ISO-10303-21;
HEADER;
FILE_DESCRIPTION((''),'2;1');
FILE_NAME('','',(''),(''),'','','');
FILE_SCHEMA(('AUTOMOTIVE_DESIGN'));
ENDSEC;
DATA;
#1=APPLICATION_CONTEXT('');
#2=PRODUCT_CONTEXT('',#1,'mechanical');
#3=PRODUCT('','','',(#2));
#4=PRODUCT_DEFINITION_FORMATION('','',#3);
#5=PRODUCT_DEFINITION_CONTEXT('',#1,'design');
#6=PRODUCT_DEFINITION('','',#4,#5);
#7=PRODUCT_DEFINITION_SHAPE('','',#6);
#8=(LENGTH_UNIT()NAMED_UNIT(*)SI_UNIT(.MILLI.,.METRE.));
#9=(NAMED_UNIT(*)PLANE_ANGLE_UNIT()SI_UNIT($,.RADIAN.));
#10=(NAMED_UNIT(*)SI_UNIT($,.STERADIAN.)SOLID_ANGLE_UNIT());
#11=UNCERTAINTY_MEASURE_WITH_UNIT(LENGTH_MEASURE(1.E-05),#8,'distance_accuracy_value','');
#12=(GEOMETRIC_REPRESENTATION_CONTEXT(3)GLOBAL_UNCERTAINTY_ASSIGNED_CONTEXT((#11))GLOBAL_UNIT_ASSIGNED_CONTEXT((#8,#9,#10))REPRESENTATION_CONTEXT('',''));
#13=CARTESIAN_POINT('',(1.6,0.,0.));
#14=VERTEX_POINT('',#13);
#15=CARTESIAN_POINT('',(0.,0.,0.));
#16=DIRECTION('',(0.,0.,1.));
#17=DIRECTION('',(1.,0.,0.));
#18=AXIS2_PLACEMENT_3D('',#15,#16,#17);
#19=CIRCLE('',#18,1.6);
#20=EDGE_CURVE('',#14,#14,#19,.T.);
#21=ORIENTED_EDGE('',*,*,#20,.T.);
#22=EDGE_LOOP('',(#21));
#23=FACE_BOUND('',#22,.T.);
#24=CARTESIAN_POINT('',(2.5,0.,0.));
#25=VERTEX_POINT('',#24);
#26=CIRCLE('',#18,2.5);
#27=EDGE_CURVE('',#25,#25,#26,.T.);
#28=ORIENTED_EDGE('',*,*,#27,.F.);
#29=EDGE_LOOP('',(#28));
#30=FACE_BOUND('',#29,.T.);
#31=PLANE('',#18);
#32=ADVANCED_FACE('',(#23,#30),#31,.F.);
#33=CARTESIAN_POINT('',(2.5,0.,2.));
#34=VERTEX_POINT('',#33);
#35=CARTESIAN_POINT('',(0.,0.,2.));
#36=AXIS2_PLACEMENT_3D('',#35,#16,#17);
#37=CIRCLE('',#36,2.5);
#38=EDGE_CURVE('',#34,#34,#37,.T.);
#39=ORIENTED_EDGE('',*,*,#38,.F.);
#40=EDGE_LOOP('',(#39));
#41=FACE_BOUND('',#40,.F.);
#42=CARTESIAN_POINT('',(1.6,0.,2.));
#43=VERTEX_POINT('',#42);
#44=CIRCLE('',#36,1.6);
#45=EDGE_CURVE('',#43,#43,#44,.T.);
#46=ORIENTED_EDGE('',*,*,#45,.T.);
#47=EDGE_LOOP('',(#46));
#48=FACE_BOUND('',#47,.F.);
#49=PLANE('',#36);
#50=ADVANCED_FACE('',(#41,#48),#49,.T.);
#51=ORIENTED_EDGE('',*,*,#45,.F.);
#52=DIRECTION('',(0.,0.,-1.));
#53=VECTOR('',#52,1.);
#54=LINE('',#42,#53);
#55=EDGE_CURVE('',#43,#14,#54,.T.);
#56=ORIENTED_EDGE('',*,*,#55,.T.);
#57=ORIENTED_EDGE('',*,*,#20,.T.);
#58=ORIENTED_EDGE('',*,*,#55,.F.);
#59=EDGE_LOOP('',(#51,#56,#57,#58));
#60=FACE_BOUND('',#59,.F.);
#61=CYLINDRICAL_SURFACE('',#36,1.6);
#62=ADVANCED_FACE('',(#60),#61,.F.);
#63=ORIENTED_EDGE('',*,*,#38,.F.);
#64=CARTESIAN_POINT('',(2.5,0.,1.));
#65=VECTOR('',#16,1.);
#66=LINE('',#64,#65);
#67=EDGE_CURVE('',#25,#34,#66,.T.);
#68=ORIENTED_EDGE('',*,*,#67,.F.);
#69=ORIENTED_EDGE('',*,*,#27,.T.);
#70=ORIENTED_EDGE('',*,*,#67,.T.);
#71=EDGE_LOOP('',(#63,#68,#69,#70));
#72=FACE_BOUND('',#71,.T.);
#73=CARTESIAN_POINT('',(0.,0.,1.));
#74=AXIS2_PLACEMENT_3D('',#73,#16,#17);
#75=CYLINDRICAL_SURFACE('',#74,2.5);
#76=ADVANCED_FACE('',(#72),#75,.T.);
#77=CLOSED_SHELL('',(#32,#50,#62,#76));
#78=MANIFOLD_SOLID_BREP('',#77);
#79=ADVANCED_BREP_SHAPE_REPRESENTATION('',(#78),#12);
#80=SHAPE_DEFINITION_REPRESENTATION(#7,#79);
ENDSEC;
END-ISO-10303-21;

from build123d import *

# Parameters (mm, degrees)
F0_W     = 2.5
F0_H     = 2
F2_R     = 1.6
F3_DEPTH = 3


with BuildPart() as f1:
    # F0 (on Front) → F1 (revolve)
    with BuildSketch(Plane.XZ):
        with Locations((1.25, 1)):
            Rectangle(F0_W, F0_H)
    revolve(axis=Axis((0, 0, 1), (0, 0, 1)))

    # F2 (on face) → F3 (cut)
    with BuildSketch(Plane.XY.offset(2)):
        Circle(F2_R)
    extrude(amount=-F3_DEPTH, mode=Mode.SUBTRACT)


solid = f1.part
